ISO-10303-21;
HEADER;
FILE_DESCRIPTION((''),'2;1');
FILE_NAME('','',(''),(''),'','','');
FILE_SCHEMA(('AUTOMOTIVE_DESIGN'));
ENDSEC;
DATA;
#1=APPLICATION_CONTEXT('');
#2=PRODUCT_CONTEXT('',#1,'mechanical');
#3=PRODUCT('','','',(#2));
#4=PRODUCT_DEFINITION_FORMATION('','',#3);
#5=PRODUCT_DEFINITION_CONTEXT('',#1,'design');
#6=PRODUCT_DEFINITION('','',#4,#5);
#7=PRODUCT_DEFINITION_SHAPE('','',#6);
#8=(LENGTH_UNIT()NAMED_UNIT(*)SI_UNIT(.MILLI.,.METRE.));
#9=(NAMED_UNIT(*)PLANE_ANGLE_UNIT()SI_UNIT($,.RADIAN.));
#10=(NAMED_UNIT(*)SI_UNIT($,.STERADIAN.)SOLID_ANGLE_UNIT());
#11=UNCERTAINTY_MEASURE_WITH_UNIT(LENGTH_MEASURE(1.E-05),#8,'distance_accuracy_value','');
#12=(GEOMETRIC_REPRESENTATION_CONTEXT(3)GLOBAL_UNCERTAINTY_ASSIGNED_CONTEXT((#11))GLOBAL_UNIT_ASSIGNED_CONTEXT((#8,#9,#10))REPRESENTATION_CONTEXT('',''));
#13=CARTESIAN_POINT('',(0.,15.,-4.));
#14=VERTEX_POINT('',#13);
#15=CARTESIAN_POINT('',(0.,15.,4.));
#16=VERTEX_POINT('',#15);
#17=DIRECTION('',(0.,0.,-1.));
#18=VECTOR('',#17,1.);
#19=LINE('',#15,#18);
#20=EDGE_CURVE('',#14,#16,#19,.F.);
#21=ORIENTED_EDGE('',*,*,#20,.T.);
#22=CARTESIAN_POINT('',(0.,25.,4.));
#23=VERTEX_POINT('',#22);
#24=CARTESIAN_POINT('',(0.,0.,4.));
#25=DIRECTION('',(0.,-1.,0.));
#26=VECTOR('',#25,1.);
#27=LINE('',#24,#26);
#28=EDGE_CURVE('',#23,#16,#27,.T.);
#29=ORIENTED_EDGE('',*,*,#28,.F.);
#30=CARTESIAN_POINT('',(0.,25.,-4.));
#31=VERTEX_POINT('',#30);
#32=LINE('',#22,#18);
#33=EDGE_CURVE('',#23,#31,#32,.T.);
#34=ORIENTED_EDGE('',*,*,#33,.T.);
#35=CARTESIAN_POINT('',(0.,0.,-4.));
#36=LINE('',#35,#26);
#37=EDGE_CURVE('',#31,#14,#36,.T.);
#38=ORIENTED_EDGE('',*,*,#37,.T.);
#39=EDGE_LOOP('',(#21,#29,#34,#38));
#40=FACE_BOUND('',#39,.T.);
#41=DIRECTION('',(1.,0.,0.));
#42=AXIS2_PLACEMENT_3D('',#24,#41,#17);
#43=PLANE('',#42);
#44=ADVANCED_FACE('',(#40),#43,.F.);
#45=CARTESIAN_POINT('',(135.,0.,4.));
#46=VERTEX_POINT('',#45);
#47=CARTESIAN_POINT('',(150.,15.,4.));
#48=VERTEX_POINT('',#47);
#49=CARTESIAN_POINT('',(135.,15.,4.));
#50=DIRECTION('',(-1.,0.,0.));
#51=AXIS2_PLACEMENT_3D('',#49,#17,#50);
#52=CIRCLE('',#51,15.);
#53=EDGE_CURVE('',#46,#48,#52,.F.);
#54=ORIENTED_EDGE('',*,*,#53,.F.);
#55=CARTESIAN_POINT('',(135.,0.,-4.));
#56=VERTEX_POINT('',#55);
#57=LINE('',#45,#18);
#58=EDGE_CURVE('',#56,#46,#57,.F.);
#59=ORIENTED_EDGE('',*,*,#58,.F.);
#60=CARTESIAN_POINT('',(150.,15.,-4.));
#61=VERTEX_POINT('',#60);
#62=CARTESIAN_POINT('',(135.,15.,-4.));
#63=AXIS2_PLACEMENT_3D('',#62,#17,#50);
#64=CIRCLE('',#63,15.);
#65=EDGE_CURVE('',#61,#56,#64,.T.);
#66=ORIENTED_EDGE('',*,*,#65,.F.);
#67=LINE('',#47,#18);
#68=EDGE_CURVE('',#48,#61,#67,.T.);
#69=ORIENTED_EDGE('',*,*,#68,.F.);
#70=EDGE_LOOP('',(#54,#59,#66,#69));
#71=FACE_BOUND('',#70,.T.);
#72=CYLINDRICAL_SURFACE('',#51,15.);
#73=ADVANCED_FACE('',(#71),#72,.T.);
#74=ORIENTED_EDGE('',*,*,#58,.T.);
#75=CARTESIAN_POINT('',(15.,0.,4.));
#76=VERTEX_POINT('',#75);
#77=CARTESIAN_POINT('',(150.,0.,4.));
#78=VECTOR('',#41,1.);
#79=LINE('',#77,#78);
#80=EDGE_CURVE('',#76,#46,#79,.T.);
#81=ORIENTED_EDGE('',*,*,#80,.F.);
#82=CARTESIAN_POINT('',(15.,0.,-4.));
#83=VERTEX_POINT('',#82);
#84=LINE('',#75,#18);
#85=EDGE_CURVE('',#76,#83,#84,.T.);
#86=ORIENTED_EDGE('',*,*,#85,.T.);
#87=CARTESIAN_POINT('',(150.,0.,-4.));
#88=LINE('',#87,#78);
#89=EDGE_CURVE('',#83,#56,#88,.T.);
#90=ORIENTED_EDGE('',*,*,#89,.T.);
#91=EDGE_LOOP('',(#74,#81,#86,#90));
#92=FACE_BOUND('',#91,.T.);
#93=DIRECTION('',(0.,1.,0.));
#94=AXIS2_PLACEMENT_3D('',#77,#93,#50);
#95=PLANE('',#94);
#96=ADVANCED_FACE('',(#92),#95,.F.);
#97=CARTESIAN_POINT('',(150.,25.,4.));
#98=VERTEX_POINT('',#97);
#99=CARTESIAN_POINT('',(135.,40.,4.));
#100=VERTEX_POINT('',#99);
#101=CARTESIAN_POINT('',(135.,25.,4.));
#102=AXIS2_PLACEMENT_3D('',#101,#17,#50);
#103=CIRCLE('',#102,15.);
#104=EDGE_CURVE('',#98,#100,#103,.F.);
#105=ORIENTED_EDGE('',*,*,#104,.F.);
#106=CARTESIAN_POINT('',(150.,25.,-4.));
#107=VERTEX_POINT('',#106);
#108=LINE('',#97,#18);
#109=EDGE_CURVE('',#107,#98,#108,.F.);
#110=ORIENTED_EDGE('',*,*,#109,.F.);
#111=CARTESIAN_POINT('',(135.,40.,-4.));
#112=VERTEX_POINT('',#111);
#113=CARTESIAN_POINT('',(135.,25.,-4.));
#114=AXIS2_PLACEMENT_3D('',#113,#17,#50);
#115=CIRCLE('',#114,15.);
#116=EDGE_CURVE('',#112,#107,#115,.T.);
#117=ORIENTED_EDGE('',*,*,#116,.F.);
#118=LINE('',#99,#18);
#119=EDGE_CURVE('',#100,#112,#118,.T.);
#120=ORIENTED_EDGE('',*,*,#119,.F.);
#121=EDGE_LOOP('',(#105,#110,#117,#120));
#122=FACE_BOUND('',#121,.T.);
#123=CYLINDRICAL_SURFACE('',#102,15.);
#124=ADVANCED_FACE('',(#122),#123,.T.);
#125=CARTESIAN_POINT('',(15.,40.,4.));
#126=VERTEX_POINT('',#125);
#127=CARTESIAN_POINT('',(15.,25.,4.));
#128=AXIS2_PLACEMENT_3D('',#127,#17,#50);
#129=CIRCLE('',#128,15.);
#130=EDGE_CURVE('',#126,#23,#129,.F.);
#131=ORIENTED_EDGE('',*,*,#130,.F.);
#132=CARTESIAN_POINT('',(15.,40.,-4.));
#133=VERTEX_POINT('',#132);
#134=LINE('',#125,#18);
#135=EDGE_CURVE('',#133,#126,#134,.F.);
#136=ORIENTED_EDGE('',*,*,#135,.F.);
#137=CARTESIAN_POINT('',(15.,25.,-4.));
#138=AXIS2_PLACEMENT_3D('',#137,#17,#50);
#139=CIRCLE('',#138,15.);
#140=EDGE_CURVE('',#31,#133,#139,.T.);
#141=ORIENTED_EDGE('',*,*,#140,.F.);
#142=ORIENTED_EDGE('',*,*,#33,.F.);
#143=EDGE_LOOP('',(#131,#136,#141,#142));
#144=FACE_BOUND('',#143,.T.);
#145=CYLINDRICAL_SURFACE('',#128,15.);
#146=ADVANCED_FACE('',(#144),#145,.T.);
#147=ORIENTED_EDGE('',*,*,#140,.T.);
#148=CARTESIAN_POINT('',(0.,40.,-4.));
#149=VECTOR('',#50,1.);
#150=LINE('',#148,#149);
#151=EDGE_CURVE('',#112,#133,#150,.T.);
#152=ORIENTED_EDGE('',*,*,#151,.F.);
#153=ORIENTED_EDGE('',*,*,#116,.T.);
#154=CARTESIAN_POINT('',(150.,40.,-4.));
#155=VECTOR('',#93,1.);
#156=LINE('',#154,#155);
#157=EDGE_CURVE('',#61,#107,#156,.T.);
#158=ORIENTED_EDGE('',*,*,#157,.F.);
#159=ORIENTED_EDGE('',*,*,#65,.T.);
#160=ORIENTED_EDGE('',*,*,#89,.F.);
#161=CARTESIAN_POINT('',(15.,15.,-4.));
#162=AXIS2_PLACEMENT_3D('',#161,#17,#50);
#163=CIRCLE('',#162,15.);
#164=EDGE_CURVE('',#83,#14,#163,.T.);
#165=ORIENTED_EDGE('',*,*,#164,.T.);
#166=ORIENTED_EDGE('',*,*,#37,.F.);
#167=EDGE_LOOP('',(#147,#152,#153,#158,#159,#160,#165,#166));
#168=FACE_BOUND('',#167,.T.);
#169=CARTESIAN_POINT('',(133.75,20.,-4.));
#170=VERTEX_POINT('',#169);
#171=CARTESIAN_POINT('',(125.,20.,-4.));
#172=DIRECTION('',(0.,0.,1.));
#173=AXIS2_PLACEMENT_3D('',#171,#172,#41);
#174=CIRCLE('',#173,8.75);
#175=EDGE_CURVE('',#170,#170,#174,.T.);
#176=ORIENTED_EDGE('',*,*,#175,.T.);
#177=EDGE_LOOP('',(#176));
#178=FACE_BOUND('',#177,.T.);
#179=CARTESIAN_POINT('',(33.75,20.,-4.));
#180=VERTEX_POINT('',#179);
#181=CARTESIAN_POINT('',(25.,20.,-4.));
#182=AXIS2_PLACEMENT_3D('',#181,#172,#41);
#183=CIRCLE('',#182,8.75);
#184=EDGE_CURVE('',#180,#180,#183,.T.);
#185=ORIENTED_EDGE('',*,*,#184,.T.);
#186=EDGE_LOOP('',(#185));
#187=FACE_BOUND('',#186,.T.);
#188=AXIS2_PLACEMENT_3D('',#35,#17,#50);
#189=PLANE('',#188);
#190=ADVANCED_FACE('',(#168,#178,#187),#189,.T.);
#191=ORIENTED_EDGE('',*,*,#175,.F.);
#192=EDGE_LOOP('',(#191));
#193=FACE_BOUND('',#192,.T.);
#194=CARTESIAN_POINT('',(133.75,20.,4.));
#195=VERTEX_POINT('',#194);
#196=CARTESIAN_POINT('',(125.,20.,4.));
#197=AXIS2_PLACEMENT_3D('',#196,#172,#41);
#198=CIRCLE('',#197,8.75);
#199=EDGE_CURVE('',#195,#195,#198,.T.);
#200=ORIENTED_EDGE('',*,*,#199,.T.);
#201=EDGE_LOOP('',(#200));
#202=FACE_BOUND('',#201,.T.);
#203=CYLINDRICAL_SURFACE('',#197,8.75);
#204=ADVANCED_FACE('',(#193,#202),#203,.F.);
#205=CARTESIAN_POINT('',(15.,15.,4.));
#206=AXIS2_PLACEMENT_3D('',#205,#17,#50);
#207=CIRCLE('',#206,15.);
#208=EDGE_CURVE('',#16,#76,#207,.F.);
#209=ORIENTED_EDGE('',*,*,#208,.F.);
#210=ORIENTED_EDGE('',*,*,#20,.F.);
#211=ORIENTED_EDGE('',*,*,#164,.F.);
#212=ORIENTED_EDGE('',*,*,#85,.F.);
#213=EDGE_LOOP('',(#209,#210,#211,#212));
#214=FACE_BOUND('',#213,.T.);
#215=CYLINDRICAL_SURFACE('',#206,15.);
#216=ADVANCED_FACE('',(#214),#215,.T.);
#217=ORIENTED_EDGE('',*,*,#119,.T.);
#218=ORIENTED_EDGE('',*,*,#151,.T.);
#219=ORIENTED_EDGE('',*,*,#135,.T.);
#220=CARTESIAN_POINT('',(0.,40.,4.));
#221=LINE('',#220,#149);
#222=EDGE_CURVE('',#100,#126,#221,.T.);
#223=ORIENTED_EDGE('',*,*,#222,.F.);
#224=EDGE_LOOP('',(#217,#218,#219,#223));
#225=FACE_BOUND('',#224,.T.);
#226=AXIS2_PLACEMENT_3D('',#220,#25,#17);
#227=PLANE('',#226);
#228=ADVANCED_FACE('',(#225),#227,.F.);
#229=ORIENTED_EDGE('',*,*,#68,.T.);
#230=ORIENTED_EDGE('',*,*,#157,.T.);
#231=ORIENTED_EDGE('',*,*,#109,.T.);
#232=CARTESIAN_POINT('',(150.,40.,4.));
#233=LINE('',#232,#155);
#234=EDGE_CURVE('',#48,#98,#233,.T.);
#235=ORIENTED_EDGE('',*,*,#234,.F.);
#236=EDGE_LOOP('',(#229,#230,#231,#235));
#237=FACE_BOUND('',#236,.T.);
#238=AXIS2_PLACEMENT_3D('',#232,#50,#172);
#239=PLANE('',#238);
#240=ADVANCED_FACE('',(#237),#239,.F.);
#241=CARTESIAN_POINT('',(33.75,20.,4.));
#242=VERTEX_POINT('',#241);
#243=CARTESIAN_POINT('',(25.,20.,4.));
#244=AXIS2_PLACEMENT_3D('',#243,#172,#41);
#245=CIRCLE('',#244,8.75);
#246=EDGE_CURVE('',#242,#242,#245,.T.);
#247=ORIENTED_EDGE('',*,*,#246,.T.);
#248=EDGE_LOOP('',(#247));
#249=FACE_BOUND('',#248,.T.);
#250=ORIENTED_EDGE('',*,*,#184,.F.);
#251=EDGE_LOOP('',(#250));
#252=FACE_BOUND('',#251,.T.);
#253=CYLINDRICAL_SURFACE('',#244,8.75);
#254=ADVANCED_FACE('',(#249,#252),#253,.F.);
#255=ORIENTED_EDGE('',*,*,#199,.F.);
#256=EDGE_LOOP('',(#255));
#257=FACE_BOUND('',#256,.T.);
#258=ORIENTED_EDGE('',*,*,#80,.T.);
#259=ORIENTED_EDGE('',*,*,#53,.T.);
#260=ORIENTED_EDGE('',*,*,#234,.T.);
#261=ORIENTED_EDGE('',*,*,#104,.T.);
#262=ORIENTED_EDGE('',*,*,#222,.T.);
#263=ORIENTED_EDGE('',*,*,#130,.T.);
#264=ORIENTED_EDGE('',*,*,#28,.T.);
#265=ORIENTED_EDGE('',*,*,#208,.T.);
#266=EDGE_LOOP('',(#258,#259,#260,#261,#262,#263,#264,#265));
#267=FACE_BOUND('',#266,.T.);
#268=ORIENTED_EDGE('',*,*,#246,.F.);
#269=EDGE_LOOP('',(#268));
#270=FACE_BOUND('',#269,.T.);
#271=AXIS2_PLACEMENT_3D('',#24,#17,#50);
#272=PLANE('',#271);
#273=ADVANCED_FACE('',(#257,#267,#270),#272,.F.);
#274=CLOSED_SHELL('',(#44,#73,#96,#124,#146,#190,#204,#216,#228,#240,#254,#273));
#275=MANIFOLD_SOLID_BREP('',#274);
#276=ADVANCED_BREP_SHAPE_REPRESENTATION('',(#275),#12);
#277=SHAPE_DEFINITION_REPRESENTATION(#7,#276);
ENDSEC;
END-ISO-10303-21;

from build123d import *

# Parameters (mm, degrees)
ESBO_O1_W                                = 150
ESBO_O1_H                                = 40
RESSALTO_EXTRUS_O1_DEPTH                 = 4
FILETE2_R                                = 15
BROCA_DE_ROSQUEAR_PARA_TARRAXA_DE_M201_D = 17.5


with BuildPart() as part:
    # Esboço1 → Ressalto-extrusão1 (new, symmetric)
    with BuildSketch(Plane.XY):
        with Locations((75, 20)):
            Rectangle(ESBO_O1_W, ESBO_O1_H)
    extrude(amount=RESSALTO_EXTRUS_O1_DEPTH, both=True)

    # Filete2
    filete2_edges = [part.edges().sort_by_distance(p)[0] for p in [
        (0, 0, 0),
        (0, 40, 0),
        (150, 40, 0),
        (150, 0, 0),
    ]]
    fillet(filete2_edges, radius=FILETE2_R)

    # Broca de rosquear para tarraxa de M201 (through all)
    with Locations(Plane.XY.offset(4)):
        with Locations((25, 20), (125, 20)):
            Hole(BROCA_DE_ROSQUEAR_PARA_TARRAXA_DE_M201_D / 2)


solid = part.part
